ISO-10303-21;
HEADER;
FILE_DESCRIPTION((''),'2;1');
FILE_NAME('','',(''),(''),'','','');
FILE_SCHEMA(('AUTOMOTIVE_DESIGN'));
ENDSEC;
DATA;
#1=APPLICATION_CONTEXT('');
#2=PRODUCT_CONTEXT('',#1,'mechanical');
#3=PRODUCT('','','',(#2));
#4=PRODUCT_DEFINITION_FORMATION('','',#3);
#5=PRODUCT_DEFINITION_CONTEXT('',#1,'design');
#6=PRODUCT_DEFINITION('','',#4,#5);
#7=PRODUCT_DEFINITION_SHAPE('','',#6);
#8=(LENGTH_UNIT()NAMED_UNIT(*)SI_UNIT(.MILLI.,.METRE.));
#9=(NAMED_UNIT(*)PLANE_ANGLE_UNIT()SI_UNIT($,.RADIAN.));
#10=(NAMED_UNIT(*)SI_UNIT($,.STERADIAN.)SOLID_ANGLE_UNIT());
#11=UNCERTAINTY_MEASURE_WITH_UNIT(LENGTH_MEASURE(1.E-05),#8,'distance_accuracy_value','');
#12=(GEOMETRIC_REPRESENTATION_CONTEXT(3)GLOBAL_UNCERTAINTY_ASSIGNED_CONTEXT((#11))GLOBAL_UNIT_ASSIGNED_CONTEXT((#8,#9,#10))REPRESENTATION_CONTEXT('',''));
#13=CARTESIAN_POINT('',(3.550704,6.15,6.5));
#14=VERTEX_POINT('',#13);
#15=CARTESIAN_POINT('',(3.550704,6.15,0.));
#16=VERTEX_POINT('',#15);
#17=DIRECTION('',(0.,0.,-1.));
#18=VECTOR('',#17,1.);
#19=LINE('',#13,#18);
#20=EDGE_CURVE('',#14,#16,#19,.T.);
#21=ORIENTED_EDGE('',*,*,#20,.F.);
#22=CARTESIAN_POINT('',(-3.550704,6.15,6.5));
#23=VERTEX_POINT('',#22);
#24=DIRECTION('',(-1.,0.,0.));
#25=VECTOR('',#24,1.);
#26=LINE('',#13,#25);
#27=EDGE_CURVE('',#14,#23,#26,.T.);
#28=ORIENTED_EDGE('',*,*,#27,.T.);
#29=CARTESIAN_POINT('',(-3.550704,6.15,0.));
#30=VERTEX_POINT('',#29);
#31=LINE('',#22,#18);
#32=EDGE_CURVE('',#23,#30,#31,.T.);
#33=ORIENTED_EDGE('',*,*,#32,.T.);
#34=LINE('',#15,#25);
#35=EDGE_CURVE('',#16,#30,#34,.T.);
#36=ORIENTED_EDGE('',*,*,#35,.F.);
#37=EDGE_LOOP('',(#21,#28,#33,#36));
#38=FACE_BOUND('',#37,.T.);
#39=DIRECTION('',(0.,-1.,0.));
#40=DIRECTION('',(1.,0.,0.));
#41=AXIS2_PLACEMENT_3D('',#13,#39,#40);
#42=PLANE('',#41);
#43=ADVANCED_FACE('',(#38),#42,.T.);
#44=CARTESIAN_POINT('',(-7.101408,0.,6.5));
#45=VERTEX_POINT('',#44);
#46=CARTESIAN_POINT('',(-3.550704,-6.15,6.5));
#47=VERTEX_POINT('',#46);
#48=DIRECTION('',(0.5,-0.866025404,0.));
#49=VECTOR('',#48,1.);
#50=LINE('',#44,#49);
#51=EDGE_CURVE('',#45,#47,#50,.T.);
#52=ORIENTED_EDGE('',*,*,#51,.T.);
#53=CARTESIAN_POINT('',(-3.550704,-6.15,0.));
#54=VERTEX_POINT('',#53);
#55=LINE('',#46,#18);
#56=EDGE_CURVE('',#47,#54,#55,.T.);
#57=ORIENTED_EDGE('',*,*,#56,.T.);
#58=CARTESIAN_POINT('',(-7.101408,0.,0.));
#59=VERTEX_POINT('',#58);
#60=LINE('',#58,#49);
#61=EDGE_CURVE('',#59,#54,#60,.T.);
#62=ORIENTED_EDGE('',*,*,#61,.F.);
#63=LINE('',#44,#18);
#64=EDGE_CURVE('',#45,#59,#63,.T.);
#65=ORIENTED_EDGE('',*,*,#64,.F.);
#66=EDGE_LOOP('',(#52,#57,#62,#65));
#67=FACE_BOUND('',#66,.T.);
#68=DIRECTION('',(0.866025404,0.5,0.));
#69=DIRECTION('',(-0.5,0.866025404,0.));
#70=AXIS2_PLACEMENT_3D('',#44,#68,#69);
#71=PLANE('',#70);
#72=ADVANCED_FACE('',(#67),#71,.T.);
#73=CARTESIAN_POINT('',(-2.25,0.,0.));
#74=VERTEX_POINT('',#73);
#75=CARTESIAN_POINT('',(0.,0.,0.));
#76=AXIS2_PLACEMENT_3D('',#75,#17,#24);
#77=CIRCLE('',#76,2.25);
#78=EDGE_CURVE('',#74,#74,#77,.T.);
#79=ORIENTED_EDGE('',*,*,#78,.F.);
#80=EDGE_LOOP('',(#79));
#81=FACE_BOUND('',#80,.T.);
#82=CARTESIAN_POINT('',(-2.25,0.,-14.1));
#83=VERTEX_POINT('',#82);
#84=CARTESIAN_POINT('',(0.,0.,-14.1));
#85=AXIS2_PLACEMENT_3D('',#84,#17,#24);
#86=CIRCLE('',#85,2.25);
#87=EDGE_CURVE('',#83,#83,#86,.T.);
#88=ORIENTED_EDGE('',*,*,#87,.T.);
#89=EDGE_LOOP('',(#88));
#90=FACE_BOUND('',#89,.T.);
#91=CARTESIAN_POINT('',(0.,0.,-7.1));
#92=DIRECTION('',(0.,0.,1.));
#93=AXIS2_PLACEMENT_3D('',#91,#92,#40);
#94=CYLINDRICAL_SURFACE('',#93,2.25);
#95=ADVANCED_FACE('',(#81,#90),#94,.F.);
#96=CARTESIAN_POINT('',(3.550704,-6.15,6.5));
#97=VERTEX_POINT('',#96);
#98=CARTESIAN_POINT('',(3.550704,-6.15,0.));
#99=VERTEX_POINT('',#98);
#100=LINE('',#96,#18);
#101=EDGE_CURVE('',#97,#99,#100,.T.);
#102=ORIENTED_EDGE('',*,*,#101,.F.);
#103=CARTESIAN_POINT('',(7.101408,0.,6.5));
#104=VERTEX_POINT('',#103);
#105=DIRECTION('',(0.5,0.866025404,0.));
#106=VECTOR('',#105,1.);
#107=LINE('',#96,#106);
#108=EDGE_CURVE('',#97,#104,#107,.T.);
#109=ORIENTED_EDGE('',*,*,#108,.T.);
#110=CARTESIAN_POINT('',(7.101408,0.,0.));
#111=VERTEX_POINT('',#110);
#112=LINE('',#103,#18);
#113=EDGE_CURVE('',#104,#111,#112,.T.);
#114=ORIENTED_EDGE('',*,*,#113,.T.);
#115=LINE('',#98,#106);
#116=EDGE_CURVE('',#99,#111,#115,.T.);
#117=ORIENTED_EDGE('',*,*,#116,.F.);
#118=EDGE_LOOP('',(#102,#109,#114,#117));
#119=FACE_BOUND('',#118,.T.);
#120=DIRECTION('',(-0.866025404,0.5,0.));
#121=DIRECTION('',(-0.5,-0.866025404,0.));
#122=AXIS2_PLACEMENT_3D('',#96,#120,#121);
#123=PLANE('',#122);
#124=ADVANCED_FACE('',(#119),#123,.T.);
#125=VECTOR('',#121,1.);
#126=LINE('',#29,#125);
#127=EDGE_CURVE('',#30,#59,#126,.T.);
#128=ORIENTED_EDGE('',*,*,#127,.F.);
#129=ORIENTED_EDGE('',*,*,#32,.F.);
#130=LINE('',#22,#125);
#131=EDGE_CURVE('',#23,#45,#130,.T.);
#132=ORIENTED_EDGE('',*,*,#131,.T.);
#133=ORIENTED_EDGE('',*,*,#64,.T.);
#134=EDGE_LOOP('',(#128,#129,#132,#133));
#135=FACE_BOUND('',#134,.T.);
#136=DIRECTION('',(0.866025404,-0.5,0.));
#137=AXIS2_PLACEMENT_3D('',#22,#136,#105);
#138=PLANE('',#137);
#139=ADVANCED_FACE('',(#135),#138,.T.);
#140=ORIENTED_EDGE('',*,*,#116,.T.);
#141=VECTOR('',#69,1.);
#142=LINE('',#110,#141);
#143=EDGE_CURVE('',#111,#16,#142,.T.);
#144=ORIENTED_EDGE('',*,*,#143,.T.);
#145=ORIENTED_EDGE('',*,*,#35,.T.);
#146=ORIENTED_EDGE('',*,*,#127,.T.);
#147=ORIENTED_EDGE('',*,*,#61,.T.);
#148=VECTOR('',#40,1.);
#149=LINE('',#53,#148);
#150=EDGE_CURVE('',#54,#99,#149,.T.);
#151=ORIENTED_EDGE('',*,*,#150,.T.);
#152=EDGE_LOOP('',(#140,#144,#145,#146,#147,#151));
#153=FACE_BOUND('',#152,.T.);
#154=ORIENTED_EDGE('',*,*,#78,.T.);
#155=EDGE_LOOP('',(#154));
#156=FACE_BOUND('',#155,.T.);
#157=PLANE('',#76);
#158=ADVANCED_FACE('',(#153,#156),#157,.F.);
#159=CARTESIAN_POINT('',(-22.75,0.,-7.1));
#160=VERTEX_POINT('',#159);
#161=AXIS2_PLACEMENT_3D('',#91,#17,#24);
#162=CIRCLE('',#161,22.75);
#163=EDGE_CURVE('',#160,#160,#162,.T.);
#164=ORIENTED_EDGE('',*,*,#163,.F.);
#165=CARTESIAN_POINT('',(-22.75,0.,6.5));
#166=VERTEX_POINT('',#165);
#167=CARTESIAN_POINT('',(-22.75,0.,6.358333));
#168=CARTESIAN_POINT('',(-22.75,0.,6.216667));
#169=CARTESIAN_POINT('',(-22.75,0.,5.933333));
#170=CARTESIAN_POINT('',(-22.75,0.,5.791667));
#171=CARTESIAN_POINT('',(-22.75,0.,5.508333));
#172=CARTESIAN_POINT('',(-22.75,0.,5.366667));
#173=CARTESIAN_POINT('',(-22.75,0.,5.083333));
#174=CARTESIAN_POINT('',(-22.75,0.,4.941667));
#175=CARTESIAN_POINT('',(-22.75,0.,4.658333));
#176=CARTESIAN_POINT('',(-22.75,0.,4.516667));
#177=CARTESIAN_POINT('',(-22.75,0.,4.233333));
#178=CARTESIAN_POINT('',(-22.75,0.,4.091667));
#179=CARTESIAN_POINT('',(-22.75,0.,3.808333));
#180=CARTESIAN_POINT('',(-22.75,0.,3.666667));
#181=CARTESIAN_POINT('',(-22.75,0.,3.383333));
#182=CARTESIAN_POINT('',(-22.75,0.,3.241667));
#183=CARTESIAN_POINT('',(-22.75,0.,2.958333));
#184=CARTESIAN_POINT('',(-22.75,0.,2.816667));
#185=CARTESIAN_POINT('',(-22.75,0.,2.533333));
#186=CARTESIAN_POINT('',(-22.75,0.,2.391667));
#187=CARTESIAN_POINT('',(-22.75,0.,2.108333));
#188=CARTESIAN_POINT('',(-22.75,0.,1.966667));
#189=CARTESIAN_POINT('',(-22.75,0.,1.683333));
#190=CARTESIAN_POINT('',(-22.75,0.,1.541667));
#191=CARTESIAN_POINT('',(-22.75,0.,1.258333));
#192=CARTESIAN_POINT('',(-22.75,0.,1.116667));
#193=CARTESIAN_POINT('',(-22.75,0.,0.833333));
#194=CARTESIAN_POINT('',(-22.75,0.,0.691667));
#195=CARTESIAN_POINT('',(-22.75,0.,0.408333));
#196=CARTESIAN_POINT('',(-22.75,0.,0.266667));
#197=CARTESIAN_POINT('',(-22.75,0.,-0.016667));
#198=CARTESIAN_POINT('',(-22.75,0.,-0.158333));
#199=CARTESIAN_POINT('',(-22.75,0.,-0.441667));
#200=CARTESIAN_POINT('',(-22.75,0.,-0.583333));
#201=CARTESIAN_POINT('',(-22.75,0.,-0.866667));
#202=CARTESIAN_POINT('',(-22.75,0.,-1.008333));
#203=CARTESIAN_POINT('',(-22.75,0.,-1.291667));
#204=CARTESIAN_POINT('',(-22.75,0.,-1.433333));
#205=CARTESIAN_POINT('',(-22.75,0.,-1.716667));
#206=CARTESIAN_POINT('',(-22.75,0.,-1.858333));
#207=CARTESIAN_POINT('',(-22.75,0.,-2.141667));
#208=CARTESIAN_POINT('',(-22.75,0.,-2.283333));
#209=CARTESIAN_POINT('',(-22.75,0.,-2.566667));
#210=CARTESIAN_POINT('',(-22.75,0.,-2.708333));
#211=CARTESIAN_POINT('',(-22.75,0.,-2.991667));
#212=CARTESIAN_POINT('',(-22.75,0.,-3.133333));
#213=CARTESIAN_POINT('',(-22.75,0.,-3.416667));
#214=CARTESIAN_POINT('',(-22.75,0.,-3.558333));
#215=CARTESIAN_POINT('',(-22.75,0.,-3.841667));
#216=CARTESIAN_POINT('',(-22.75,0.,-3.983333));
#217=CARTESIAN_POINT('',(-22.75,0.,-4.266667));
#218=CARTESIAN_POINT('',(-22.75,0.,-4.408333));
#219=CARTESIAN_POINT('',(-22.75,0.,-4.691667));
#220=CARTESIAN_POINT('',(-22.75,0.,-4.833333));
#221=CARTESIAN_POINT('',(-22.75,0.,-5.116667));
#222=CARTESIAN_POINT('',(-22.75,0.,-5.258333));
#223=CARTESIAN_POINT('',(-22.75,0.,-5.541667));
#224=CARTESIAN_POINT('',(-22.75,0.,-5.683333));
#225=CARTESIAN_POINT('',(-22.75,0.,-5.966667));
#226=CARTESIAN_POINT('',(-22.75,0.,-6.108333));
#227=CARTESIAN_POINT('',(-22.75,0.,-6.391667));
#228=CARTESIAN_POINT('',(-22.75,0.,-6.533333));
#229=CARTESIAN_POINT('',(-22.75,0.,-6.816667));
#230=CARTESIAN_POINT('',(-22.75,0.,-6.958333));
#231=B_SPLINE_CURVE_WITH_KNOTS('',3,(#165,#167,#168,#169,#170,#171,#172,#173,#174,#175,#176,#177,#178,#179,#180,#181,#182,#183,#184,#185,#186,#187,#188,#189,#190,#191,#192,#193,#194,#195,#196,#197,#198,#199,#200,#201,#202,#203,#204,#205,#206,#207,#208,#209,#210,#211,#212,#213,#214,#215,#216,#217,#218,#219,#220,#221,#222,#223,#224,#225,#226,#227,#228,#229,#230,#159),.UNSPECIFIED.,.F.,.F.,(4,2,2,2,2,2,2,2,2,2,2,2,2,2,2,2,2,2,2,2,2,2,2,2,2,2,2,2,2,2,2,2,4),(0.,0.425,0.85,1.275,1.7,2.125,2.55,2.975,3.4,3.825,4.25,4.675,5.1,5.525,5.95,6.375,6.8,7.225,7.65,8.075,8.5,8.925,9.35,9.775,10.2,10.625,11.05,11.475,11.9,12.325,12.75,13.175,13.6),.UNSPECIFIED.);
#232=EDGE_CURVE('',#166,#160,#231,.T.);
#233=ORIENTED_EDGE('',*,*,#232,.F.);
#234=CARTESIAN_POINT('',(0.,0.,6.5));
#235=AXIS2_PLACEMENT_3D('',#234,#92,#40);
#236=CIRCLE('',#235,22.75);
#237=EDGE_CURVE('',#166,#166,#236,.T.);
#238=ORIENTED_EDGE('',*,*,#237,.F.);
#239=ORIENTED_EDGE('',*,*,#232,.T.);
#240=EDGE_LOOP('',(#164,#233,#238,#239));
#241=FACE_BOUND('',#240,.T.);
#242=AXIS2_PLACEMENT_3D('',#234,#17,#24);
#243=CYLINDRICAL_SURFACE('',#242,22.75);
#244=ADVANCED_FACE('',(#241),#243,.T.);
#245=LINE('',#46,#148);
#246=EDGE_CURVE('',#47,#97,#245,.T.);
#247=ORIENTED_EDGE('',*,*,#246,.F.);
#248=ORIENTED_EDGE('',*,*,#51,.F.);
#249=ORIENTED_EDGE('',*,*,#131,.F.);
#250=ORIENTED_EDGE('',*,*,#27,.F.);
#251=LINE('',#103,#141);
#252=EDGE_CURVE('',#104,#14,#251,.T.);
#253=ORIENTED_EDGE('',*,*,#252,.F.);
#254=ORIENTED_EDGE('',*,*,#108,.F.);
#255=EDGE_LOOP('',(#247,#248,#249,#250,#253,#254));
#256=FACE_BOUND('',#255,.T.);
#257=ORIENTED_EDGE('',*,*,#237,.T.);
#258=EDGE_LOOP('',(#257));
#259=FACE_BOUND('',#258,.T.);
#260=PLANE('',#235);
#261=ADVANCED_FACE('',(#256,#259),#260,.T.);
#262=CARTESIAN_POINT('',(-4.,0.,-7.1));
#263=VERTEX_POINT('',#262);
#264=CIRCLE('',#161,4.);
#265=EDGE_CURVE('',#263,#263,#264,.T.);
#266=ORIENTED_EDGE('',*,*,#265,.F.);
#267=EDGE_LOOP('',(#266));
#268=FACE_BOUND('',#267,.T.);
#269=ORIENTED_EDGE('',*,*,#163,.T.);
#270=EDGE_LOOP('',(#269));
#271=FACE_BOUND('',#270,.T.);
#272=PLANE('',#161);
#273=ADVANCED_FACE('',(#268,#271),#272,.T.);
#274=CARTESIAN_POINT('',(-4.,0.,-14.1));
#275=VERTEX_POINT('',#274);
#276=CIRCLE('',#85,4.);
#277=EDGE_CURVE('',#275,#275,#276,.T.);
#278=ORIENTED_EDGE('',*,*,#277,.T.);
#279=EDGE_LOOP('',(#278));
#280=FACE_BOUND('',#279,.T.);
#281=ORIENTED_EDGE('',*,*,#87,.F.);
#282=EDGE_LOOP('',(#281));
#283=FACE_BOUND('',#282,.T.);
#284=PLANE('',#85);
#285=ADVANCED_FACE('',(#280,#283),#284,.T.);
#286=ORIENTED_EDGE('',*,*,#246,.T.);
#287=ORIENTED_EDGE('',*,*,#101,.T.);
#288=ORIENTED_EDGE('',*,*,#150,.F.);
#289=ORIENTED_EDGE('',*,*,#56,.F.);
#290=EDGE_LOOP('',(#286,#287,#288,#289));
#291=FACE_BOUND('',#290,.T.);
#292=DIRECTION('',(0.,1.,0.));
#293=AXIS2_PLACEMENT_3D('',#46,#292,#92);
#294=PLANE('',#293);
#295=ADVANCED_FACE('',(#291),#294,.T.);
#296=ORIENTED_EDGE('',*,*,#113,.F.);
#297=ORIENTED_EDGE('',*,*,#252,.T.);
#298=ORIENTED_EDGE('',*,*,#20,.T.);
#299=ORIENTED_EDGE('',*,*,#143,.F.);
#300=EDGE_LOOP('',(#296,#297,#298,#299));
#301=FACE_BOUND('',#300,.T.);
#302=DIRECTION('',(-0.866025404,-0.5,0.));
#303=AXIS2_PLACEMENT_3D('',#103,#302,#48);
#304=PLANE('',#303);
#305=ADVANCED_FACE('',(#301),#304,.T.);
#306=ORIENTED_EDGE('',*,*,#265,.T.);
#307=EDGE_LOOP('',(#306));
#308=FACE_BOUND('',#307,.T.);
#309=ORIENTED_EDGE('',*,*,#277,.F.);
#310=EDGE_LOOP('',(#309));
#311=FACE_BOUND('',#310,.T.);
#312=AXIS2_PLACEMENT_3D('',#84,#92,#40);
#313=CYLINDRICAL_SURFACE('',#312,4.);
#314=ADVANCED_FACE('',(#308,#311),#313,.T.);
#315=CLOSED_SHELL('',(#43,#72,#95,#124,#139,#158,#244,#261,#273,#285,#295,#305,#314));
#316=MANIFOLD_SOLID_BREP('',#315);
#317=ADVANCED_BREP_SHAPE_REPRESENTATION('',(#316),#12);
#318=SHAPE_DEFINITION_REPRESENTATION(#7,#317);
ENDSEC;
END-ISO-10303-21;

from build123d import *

# Parameters (mm, degrees)
SKETCH16_R           = 22.75
BOSS_EXTRUDE9_DEPTH  = 6.5
BOSS_EXTRUDE10_START = 7.1
SKETCH18_R           = 22.75
SKETCH18_R_2         = 2.25
BOSS_EXTRUDE10_DEPTH = 7.1
BOSS_EXTRUDE11_START = 7
SKETCH19_R           = 4
SKETCH19_R_2         = 2.25
BOSS_EXTRUDE11_DEPTH = 7


with BuildPart() as part:
    # Sketch16 → Boss-Extrude9 (new body)
    with BuildSketch(Plane.XY):
        with Locations(Location((0, 0, 0), (0, 0, 180))):
            Circle(SKETCH16_R)
        Polygon((7.101408311, 0), (3.550704156, 6.15), (-3.550704156, 6.15), (-7.101408311, 0), (-3.550704156, -6.15), (3.550704156, -6.15), align=None, mode=Mode.SUBTRACT)
    extrude(amount=BOSS_EXTRUDE9_DEPTH)

    # Sketch18 → Boss-Extrude10 (add)
    with BuildSketch(Plane(origin=(0, 0, 0), x_dir=(-1, 0, 0), z_dir=(0, 0, -1)).offset(BOSS_EXTRUDE10_START)):
        Circle(SKETCH18_R)
        Circle(SKETCH18_R_2, mode=Mode.SUBTRACT)
    extrude(amount=-BOSS_EXTRUDE10_DEPTH)

    # Sketch19 → Boss-Extrude11 (add)
    with BuildSketch(Plane(origin=(0, 0, -7.1), x_dir=(-1, 0, 0), z_dir=(0, 0, -1)).offset(BOSS_EXTRUDE11_START)):
        Circle(SKETCH19_R)
        Circle(SKETCH19_R_2, mode=Mode.SUBTRACT)
    extrude(amount=-BOSS_EXTRUDE11_DEPTH)


solid = part.part
